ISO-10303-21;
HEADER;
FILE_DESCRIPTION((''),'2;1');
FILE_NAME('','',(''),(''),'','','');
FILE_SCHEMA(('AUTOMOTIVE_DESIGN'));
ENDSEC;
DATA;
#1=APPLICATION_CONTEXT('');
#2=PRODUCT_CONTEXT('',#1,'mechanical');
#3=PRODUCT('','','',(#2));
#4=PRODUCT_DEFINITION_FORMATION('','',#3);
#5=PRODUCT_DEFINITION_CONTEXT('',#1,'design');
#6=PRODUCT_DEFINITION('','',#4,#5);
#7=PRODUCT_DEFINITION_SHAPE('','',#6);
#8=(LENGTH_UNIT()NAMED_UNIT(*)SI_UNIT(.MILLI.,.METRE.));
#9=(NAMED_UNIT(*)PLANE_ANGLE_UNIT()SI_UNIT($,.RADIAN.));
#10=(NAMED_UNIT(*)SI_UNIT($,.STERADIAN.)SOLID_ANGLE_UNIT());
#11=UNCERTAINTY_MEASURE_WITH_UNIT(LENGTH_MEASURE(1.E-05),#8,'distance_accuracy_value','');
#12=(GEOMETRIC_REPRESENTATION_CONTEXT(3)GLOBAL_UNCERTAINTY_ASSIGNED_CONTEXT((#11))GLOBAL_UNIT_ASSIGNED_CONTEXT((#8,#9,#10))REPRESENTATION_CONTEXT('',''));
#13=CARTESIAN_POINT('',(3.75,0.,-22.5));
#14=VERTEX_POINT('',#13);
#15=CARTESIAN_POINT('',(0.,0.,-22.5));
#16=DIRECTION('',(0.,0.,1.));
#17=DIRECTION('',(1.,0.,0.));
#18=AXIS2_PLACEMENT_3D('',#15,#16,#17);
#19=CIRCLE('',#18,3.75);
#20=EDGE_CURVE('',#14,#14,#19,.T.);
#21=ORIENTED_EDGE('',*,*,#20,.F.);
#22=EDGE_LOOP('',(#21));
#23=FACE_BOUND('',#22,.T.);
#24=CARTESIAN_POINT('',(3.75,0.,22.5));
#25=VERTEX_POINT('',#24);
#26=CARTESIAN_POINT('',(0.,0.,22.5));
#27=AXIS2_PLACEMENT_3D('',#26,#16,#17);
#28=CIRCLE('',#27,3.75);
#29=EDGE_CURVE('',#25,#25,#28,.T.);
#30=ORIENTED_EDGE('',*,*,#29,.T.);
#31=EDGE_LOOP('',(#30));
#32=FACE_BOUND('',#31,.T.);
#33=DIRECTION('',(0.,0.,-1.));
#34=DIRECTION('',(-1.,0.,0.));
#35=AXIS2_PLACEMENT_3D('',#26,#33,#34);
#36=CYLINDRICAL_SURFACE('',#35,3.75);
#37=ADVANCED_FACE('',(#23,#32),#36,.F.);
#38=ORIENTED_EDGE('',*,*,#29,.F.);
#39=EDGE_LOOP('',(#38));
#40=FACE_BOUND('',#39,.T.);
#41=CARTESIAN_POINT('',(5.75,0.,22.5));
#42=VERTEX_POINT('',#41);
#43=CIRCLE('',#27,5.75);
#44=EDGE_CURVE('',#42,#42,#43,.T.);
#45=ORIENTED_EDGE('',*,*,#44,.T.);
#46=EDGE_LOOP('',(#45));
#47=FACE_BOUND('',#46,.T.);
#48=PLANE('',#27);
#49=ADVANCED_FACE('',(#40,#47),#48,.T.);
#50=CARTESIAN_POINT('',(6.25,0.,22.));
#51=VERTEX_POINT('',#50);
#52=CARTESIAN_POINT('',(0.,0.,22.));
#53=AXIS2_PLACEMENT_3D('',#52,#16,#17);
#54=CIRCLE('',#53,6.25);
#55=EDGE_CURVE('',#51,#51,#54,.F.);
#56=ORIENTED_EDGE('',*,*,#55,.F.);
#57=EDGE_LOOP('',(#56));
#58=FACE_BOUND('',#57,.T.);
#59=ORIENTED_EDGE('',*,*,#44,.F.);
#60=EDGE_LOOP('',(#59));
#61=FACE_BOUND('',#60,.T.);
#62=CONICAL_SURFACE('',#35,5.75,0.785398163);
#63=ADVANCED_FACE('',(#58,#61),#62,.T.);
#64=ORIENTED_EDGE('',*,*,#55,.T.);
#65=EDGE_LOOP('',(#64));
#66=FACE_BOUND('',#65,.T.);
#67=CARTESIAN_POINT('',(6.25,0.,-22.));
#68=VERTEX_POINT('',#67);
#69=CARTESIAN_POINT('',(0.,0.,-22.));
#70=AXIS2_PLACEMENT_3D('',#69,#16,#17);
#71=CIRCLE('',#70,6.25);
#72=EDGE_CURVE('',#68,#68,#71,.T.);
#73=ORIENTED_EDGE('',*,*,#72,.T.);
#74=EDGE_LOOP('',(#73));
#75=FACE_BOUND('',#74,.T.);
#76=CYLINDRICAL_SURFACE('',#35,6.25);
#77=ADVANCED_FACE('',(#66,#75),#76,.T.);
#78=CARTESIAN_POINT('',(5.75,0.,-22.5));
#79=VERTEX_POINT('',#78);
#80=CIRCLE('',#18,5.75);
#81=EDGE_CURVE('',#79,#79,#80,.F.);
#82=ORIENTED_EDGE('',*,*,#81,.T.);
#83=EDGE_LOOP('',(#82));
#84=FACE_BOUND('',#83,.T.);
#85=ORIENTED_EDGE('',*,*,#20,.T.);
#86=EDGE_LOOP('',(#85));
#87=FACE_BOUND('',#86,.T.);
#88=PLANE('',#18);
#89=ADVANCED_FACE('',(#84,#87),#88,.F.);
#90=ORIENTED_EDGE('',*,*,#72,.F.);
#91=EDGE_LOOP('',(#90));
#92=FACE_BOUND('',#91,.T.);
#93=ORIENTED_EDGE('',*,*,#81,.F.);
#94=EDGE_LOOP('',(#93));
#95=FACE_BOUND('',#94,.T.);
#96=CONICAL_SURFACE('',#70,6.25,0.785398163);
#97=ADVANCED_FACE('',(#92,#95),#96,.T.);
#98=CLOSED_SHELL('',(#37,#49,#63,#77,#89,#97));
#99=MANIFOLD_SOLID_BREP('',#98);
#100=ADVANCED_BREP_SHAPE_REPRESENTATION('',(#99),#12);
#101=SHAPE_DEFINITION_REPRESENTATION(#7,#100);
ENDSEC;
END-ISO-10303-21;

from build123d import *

# Parameters (mm, degrees)
SKETCH1_R           = 6.25
SKETCH1_R_2         = 3.75
EXTRUDE_THIN1_DEPTH = 22.5
CHAMFER1_SIZE       = 0.5


with BuildPart() as part:
    # Sketch1 → Extrude-Thin1 (new body, symmetric)
    with BuildSketch(Plane.XY):
        Circle(SKETCH1_R)
        Circle(SKETCH1_R_2, mode=Mode.SUBTRACT)
    extrude(amount=EXTRUDE_THIN1_DEPTH, both=True)

    # Chamfer1
    chamfer1_edges = [part.edges().sort_by_distance(p)[0] for p in [
        (-6.25, 0, -22.5),
        (-6.25, 0, 22.5),
    ]]
    chamfer(chamfer1_edges, length=CHAMFER1_SIZE)


solid = part.part
